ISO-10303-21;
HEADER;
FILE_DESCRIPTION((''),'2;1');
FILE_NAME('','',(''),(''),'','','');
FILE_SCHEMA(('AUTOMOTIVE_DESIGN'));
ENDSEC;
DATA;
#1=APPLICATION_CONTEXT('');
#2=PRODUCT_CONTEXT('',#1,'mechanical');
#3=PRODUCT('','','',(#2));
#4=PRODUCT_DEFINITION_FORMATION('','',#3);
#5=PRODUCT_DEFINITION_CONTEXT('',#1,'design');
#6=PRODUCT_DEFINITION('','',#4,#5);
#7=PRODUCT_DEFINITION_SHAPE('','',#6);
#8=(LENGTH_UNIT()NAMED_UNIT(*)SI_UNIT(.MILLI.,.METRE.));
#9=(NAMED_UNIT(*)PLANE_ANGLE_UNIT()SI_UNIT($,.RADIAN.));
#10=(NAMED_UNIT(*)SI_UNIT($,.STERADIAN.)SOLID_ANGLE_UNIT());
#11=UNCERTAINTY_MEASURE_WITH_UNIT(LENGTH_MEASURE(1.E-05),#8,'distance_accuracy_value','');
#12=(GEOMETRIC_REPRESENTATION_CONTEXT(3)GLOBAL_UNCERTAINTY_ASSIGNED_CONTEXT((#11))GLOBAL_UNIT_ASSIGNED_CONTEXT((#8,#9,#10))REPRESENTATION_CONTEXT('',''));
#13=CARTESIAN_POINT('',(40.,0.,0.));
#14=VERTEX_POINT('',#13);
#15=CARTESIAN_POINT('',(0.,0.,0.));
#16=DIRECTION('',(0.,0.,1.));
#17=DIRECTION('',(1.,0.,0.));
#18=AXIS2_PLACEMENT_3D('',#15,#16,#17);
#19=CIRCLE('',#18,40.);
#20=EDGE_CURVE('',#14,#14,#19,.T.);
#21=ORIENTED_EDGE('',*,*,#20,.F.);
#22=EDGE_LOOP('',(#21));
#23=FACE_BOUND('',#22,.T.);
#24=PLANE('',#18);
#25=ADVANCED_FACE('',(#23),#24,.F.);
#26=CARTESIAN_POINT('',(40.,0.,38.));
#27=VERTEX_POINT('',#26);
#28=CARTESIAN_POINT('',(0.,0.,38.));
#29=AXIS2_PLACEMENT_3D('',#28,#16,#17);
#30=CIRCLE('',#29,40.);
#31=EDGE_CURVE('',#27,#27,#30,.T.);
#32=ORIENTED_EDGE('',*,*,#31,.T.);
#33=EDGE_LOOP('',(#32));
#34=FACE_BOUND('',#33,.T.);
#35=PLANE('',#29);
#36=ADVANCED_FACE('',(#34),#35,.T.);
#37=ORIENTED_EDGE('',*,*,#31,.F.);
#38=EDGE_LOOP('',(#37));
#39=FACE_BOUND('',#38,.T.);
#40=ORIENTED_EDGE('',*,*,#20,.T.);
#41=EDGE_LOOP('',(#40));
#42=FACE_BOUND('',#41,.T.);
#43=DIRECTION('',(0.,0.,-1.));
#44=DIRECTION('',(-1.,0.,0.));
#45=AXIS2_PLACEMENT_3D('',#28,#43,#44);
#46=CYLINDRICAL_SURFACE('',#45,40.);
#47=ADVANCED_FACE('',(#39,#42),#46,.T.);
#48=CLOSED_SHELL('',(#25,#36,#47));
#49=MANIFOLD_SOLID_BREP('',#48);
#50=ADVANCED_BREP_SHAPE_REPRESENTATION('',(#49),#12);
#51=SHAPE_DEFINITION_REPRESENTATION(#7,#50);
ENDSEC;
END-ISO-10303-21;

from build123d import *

# Parameters (mm, degrees)
SZKIC1_R                    = 40
DODANIE_WYCI_GNI_CIE1_DEPTH = 38


with BuildPart() as part:
    # Szkic1 → Dodanie-wyciągnięcie1 (new body)
    with BuildSketch(Plane.XY):
        Circle(SZKIC1_R)
    extrude(amount=DODANIE_WYCI_GNI_CIE1_DEPTH)


solid = part.part
